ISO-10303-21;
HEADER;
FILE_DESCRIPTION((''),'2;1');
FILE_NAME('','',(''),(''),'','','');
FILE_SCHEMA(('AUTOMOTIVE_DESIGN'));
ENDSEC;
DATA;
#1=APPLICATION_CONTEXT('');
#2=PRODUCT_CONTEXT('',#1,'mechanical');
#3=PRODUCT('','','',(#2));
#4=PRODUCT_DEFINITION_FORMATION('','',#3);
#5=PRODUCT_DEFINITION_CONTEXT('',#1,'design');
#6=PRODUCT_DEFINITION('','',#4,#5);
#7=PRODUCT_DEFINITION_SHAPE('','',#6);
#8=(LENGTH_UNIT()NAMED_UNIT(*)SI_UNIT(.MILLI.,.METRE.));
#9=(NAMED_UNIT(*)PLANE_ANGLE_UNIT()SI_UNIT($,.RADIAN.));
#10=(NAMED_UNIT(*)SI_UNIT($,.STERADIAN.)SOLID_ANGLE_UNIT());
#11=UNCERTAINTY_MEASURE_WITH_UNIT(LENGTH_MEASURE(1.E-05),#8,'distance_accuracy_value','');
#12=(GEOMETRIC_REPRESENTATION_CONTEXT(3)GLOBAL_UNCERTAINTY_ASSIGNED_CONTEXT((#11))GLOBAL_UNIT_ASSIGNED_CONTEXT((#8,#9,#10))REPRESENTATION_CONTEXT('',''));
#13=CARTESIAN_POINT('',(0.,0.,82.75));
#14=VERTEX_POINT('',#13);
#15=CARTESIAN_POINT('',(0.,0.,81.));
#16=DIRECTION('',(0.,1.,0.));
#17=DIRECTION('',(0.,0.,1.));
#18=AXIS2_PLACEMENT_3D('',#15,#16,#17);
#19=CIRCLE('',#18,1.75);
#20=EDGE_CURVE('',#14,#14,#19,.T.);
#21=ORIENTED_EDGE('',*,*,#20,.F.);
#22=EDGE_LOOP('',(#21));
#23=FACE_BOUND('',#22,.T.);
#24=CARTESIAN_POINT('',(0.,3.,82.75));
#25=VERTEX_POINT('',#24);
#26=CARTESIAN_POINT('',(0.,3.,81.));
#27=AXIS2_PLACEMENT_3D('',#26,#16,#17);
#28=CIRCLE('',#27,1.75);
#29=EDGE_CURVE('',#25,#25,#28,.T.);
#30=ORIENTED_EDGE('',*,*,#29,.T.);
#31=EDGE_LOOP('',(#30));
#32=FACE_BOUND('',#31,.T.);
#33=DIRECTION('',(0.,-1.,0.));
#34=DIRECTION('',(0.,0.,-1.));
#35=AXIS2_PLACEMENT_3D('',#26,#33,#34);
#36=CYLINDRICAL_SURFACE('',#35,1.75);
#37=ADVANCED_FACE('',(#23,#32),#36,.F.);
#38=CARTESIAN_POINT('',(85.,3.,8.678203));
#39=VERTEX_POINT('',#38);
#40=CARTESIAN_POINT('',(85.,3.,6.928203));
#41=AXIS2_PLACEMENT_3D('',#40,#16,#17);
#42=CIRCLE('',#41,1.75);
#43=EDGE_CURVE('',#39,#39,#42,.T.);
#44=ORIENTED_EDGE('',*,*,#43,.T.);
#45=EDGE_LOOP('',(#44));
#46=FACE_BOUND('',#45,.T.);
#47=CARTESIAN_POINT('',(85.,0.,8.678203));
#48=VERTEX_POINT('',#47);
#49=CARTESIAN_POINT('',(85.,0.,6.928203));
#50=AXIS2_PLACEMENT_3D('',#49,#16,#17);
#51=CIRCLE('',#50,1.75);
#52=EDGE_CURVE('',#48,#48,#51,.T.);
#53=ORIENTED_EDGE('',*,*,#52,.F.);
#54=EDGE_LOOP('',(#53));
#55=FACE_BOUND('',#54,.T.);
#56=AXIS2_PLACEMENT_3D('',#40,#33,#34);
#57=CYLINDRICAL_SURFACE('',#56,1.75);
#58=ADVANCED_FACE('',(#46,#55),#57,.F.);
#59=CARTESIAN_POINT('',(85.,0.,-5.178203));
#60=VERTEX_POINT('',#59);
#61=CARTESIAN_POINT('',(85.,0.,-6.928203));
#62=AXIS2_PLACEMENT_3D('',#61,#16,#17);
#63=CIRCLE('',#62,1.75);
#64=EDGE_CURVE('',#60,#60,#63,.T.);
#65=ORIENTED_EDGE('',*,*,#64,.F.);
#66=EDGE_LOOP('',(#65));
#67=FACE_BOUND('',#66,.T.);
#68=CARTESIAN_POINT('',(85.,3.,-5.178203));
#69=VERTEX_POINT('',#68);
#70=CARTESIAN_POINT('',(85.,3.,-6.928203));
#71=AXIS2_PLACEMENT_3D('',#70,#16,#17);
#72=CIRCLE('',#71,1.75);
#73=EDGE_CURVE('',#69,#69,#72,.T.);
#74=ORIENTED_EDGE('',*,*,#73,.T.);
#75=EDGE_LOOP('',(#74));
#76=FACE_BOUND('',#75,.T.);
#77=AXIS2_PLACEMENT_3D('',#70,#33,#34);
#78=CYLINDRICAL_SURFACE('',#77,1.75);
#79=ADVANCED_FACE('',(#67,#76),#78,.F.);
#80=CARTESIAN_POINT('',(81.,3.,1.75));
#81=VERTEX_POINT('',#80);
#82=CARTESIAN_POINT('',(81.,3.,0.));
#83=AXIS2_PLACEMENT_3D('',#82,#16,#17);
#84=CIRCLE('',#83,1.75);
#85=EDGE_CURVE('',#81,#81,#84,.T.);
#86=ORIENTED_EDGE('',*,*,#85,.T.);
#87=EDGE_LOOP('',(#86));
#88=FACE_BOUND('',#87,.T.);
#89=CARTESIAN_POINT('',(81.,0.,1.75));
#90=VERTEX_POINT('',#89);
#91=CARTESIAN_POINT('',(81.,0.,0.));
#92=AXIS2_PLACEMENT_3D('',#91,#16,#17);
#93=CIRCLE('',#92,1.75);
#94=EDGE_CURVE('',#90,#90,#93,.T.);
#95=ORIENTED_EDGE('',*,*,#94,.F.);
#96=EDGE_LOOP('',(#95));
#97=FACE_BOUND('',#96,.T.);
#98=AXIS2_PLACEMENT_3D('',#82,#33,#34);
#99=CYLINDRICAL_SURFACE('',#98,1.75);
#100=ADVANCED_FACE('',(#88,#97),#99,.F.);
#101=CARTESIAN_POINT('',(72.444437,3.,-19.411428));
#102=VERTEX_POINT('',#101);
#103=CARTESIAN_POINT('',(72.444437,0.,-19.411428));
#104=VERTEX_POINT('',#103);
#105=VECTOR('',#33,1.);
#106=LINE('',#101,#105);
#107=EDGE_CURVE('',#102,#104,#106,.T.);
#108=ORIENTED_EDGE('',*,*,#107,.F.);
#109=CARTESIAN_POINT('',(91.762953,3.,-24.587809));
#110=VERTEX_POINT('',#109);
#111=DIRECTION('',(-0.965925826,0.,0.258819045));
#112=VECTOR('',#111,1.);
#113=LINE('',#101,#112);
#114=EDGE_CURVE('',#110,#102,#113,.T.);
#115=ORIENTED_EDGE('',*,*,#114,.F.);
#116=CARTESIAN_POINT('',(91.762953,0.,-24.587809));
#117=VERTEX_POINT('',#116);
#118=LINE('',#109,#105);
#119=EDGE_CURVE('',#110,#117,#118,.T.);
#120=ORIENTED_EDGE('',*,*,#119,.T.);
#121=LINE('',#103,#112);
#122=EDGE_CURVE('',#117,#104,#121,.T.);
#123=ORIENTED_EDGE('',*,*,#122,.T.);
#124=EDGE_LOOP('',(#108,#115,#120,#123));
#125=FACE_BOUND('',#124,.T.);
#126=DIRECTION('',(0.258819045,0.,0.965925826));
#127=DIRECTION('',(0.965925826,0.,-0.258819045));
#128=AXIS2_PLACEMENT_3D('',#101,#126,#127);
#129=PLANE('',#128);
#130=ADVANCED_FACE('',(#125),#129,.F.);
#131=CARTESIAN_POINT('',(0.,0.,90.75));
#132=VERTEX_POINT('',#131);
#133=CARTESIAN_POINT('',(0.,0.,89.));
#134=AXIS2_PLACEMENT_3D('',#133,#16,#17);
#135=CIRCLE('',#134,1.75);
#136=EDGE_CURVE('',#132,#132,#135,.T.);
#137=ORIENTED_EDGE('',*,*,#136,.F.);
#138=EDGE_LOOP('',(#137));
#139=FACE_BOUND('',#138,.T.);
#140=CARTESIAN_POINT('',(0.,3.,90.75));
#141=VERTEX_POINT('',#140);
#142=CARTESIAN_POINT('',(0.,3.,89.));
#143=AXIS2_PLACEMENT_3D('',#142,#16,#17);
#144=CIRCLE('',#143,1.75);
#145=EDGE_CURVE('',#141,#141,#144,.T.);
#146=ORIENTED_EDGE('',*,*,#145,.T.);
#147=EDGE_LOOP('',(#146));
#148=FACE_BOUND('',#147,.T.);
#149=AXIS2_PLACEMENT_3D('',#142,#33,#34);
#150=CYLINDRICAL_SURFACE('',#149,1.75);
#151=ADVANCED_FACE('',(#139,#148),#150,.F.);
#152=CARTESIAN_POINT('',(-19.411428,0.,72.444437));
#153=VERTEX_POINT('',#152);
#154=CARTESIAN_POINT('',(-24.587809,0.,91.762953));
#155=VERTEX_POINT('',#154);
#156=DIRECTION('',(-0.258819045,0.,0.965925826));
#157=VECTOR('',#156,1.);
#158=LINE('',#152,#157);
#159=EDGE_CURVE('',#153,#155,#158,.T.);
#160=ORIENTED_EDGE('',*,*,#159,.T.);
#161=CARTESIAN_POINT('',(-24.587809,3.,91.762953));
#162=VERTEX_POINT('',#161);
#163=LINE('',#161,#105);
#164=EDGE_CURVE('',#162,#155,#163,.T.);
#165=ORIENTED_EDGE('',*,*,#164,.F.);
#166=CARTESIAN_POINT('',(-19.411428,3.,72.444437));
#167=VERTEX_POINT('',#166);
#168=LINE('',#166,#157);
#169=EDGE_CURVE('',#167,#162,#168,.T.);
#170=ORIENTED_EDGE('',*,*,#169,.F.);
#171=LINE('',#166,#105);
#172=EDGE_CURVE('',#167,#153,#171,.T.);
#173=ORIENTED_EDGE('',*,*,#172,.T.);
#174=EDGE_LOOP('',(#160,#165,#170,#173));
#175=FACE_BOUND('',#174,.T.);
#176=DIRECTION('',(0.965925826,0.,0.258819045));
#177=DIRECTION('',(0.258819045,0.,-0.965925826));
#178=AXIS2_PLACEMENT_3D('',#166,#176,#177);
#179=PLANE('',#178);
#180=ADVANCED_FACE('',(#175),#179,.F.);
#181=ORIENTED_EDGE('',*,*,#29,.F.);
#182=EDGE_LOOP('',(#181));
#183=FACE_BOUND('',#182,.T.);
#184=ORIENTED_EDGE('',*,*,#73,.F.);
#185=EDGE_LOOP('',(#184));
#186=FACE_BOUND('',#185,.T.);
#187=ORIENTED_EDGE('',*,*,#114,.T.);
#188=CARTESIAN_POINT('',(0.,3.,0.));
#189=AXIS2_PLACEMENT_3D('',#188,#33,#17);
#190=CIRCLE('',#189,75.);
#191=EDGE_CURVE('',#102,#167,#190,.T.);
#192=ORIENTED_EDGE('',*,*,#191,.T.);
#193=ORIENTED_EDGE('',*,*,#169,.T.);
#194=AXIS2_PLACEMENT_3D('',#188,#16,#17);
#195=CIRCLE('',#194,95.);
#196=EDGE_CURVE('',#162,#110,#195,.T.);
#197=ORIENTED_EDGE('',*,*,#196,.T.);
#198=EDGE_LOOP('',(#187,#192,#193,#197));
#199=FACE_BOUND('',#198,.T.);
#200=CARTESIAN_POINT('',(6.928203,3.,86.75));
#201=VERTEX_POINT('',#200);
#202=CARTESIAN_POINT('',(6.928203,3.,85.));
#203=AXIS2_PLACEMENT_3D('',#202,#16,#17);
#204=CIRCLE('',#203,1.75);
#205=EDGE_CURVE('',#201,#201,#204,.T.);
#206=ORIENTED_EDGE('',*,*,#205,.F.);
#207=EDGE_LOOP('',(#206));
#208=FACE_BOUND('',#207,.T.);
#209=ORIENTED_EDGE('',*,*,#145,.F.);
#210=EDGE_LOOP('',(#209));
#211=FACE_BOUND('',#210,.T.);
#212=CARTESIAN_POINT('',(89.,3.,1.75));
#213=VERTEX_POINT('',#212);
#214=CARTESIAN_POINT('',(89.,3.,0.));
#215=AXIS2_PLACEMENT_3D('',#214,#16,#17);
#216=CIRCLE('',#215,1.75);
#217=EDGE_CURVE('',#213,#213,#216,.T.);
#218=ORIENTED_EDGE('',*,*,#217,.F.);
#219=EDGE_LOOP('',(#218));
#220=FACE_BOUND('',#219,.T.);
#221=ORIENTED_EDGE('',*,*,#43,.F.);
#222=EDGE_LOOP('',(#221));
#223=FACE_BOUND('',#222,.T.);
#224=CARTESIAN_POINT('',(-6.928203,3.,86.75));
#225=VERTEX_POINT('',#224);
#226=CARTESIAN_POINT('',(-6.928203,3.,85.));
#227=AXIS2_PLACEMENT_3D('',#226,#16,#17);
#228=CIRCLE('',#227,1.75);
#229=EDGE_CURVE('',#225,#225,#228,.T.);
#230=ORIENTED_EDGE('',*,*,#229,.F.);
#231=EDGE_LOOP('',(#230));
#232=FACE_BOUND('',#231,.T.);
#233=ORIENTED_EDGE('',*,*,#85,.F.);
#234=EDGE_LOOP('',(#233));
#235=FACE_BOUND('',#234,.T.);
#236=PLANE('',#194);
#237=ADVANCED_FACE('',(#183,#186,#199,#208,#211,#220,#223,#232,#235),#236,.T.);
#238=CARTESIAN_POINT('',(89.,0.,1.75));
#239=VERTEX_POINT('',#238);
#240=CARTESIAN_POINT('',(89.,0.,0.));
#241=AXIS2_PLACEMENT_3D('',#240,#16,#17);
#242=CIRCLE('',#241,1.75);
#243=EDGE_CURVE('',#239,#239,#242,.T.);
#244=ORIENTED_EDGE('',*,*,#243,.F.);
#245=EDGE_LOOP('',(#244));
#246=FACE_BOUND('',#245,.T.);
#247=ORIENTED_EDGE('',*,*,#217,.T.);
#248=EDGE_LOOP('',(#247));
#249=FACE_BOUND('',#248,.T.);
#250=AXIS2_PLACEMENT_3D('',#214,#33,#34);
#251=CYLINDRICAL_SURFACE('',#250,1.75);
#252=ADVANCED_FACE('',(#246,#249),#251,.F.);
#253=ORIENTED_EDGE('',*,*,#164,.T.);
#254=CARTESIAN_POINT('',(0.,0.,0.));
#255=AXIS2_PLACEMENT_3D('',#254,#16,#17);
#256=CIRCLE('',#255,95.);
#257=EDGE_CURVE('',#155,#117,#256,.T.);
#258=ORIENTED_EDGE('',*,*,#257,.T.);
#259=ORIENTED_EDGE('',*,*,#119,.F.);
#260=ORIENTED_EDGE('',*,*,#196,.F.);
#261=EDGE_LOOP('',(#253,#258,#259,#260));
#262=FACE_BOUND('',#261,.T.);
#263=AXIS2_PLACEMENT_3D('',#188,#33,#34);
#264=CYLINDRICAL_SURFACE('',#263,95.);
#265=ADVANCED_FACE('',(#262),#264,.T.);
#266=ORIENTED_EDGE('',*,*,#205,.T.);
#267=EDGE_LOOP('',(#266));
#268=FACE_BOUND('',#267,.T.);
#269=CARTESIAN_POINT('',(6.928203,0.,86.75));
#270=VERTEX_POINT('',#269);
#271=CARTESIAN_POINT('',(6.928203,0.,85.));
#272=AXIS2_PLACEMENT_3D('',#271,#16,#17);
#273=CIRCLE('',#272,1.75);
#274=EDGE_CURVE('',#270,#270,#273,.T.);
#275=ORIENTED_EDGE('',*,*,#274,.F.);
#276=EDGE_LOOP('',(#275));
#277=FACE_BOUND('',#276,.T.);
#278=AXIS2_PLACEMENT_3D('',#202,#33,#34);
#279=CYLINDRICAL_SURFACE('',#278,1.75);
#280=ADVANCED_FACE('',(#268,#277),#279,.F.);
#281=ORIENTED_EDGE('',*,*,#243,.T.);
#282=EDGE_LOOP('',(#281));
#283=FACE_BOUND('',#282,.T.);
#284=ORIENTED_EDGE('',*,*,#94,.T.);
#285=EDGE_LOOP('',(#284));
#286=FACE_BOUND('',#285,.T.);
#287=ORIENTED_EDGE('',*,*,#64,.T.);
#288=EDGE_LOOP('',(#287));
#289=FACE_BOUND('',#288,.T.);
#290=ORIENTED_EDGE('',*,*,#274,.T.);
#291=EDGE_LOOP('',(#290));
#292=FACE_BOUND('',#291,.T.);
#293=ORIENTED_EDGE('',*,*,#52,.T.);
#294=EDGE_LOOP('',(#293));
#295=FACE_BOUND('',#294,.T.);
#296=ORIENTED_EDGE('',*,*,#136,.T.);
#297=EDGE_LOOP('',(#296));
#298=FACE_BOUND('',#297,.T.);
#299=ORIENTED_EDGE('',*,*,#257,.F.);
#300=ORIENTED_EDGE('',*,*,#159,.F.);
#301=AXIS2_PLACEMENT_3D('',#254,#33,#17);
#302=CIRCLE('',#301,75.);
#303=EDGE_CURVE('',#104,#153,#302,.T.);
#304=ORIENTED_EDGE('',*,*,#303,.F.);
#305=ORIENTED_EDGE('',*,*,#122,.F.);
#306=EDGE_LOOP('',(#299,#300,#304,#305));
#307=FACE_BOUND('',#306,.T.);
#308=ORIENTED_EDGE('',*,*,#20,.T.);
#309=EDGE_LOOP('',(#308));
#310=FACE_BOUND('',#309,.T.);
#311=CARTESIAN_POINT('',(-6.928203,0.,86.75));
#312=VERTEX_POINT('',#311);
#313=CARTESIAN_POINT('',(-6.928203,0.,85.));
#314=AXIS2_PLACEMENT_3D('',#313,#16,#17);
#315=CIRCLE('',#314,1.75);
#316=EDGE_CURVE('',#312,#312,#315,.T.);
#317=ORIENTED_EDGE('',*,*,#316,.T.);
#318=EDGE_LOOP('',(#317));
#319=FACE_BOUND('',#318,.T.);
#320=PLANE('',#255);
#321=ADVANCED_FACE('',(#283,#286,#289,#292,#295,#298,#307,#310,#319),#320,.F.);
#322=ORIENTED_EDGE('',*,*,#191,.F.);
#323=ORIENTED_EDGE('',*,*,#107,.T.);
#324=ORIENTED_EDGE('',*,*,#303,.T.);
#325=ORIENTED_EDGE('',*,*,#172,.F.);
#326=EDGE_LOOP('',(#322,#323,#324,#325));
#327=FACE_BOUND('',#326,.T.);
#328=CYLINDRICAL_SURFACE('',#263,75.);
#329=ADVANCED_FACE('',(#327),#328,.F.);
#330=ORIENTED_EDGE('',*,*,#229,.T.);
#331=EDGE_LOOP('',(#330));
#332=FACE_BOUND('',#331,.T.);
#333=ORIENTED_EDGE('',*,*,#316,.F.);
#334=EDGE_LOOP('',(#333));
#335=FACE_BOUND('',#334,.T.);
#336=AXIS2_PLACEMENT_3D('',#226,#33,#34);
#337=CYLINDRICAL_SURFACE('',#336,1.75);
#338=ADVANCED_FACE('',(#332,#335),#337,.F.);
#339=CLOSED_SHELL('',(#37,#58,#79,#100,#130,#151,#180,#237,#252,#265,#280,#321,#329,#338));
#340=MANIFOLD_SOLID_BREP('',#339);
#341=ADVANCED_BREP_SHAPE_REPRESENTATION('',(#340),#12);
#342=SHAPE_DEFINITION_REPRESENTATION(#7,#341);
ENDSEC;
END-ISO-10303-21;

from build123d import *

# Parameters (mm, degrees)
SKETCH_1_R      = 1.75
EXTRUDE_1_DEPTH = 3


with BuildPart() as part:
    # 草图1 → 凸台-拉伸1 (new body)
    with BuildSketch(Plane(origin=(0, 0, 0), x_dir=(1, 0, 0), z_dir=(0, 1, 0))):
        with BuildLine():
            Line((-19.411428383, -72.444436972), (-24.587809285, -91.762953497))
            ThreePointArc((-24.587809285, -91.762953497), (67.175144213, -67.175144213), (91.762953497, 24.587809285))
            Line((91.762953497, 24.587809285), (72.444436972, 19.411428383))
            ThreePointArc((72.444436972, 19.411428383), (53.033008589, -53.033008589), (-19.411428383, -72.444436972))
        make_face()
        with Locations(Location((0, -89, 0), (0, 0, 270))):
            Circle(SKETCH_1_R, mode=Mode.SUBTRACT)
        with Locations(Location((0, -81, 0), (0, 0, 270))):
            Circle(SKETCH_1_R, mode=Mode.SUBTRACT)
        with Locations(Location((-6.92820323, -85, 0), (0, 0, 270))):
            Circle(SKETCH_1_R, mode=Mode.SUBTRACT)
        with Locations(Location((6.92820323, -85, 0), (0, 0, 270))):
            Circle(SKETCH_1_R, mode=Mode.SUBTRACT)
        with Locations(Location((85, -6.92820323, 0), (0, 0, 270))):
            Circle(SKETCH_1_R, mode=Mode.SUBTRACT)
        with Locations(Location((81, 0, 0), (0, 0, 270))):
            Circle(SKETCH_1_R, mode=Mode.SUBTRACT)
        with Locations(Location((85, 6.92820323, 0), (0, 0, 270))):
            Circle(SKETCH_1_R, mode=Mode.SUBTRACT)
        with Locations(Location((89, 0, 0), (0, 0, 270))):
            Circle(SKETCH_1_R, mode=Mode.SUBTRACT)
    extrude(amount=EXTRUDE_1_DEPTH)


solid = part.part
